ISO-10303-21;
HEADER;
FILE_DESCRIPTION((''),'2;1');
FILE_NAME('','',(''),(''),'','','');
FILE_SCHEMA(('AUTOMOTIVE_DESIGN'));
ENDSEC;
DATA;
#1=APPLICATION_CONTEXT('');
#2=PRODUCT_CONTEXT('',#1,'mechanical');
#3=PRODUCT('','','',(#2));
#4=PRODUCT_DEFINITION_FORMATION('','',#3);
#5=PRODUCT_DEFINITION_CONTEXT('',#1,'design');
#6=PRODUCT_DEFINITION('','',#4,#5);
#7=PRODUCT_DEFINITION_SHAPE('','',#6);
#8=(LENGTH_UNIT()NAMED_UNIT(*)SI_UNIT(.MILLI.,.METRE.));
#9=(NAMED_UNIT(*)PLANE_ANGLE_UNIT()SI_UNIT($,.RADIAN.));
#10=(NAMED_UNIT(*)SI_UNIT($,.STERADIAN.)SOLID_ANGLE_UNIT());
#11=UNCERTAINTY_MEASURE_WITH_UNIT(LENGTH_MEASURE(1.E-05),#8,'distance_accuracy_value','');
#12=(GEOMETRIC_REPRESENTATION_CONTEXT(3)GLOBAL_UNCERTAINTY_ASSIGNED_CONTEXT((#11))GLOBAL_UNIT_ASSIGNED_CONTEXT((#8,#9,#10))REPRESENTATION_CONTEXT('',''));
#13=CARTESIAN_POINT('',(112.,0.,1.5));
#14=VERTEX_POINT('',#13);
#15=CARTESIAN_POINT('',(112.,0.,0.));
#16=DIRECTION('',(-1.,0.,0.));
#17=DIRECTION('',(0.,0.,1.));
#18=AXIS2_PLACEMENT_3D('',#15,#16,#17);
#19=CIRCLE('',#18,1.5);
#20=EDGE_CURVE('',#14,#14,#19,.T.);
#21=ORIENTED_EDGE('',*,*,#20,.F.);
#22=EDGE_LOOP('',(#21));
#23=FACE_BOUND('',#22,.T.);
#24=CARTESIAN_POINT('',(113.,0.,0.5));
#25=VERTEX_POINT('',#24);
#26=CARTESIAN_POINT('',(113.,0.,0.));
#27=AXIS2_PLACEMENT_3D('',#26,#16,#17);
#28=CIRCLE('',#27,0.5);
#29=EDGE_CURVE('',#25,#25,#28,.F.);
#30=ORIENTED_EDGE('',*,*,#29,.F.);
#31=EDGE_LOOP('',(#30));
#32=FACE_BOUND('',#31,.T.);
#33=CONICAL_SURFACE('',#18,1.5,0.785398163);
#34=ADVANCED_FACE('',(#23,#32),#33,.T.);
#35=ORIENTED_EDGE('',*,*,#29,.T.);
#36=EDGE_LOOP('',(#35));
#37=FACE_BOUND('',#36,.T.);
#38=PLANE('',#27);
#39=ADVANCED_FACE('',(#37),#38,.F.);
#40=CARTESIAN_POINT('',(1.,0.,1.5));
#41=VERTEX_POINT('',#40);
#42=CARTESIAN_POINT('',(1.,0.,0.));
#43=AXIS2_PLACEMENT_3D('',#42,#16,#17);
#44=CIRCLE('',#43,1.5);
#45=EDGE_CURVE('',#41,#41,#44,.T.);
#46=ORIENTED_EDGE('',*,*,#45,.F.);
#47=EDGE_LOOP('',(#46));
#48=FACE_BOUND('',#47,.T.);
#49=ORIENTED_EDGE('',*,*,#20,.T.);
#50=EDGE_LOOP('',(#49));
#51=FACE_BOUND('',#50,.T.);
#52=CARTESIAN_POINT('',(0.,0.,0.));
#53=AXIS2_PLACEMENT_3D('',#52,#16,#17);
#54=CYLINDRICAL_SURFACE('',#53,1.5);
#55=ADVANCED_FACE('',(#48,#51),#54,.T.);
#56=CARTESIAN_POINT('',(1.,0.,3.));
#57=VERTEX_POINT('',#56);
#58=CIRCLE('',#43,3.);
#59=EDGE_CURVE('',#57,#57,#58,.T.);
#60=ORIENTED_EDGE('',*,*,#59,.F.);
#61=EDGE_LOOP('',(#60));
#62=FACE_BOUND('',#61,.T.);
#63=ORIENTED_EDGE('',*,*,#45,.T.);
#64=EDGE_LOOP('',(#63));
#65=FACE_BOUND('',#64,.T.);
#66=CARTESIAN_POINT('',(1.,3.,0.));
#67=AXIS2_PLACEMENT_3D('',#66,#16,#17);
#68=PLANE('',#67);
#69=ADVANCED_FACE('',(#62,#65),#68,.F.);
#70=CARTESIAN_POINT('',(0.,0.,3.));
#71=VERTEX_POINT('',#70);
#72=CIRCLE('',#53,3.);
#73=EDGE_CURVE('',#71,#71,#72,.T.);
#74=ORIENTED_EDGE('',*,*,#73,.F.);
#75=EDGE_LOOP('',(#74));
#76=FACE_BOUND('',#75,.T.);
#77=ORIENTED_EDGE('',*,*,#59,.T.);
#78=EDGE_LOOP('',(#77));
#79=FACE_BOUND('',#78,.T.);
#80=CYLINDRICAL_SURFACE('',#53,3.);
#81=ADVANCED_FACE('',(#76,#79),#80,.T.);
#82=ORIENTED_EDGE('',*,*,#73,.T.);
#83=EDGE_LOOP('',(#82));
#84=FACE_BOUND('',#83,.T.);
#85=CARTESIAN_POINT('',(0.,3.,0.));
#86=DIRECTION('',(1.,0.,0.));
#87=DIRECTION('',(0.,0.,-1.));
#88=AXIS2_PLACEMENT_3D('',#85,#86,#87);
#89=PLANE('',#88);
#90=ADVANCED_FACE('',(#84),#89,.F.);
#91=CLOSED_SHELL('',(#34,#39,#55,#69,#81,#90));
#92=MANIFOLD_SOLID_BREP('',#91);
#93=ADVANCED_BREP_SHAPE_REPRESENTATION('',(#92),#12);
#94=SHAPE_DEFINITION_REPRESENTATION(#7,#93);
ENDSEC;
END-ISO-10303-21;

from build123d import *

# Parameters (mm, degrees)
CHAMFER1_SIZE = 1


with BuildPart() as part:
    # Sketch1 → Revolve1 (revolve)
    with BuildSketch(Plane.XY):
        Polygon((0, 0), (113, 0), (113, 1.5), (1, 1.5), (1, 3), (0, 3), align=None)
    revolve(axis=Axis((0, 0, 0), (1, 0, 0)))

    # Chamfer1
    chamfer1_edges = [part.edges().sort_by_distance(p)[0] for p in [
        (113, -1.5, 0),
    ]]
    chamfer(chamfer1_edges, length=CHAMFER1_SIZE)


solid = part.part
